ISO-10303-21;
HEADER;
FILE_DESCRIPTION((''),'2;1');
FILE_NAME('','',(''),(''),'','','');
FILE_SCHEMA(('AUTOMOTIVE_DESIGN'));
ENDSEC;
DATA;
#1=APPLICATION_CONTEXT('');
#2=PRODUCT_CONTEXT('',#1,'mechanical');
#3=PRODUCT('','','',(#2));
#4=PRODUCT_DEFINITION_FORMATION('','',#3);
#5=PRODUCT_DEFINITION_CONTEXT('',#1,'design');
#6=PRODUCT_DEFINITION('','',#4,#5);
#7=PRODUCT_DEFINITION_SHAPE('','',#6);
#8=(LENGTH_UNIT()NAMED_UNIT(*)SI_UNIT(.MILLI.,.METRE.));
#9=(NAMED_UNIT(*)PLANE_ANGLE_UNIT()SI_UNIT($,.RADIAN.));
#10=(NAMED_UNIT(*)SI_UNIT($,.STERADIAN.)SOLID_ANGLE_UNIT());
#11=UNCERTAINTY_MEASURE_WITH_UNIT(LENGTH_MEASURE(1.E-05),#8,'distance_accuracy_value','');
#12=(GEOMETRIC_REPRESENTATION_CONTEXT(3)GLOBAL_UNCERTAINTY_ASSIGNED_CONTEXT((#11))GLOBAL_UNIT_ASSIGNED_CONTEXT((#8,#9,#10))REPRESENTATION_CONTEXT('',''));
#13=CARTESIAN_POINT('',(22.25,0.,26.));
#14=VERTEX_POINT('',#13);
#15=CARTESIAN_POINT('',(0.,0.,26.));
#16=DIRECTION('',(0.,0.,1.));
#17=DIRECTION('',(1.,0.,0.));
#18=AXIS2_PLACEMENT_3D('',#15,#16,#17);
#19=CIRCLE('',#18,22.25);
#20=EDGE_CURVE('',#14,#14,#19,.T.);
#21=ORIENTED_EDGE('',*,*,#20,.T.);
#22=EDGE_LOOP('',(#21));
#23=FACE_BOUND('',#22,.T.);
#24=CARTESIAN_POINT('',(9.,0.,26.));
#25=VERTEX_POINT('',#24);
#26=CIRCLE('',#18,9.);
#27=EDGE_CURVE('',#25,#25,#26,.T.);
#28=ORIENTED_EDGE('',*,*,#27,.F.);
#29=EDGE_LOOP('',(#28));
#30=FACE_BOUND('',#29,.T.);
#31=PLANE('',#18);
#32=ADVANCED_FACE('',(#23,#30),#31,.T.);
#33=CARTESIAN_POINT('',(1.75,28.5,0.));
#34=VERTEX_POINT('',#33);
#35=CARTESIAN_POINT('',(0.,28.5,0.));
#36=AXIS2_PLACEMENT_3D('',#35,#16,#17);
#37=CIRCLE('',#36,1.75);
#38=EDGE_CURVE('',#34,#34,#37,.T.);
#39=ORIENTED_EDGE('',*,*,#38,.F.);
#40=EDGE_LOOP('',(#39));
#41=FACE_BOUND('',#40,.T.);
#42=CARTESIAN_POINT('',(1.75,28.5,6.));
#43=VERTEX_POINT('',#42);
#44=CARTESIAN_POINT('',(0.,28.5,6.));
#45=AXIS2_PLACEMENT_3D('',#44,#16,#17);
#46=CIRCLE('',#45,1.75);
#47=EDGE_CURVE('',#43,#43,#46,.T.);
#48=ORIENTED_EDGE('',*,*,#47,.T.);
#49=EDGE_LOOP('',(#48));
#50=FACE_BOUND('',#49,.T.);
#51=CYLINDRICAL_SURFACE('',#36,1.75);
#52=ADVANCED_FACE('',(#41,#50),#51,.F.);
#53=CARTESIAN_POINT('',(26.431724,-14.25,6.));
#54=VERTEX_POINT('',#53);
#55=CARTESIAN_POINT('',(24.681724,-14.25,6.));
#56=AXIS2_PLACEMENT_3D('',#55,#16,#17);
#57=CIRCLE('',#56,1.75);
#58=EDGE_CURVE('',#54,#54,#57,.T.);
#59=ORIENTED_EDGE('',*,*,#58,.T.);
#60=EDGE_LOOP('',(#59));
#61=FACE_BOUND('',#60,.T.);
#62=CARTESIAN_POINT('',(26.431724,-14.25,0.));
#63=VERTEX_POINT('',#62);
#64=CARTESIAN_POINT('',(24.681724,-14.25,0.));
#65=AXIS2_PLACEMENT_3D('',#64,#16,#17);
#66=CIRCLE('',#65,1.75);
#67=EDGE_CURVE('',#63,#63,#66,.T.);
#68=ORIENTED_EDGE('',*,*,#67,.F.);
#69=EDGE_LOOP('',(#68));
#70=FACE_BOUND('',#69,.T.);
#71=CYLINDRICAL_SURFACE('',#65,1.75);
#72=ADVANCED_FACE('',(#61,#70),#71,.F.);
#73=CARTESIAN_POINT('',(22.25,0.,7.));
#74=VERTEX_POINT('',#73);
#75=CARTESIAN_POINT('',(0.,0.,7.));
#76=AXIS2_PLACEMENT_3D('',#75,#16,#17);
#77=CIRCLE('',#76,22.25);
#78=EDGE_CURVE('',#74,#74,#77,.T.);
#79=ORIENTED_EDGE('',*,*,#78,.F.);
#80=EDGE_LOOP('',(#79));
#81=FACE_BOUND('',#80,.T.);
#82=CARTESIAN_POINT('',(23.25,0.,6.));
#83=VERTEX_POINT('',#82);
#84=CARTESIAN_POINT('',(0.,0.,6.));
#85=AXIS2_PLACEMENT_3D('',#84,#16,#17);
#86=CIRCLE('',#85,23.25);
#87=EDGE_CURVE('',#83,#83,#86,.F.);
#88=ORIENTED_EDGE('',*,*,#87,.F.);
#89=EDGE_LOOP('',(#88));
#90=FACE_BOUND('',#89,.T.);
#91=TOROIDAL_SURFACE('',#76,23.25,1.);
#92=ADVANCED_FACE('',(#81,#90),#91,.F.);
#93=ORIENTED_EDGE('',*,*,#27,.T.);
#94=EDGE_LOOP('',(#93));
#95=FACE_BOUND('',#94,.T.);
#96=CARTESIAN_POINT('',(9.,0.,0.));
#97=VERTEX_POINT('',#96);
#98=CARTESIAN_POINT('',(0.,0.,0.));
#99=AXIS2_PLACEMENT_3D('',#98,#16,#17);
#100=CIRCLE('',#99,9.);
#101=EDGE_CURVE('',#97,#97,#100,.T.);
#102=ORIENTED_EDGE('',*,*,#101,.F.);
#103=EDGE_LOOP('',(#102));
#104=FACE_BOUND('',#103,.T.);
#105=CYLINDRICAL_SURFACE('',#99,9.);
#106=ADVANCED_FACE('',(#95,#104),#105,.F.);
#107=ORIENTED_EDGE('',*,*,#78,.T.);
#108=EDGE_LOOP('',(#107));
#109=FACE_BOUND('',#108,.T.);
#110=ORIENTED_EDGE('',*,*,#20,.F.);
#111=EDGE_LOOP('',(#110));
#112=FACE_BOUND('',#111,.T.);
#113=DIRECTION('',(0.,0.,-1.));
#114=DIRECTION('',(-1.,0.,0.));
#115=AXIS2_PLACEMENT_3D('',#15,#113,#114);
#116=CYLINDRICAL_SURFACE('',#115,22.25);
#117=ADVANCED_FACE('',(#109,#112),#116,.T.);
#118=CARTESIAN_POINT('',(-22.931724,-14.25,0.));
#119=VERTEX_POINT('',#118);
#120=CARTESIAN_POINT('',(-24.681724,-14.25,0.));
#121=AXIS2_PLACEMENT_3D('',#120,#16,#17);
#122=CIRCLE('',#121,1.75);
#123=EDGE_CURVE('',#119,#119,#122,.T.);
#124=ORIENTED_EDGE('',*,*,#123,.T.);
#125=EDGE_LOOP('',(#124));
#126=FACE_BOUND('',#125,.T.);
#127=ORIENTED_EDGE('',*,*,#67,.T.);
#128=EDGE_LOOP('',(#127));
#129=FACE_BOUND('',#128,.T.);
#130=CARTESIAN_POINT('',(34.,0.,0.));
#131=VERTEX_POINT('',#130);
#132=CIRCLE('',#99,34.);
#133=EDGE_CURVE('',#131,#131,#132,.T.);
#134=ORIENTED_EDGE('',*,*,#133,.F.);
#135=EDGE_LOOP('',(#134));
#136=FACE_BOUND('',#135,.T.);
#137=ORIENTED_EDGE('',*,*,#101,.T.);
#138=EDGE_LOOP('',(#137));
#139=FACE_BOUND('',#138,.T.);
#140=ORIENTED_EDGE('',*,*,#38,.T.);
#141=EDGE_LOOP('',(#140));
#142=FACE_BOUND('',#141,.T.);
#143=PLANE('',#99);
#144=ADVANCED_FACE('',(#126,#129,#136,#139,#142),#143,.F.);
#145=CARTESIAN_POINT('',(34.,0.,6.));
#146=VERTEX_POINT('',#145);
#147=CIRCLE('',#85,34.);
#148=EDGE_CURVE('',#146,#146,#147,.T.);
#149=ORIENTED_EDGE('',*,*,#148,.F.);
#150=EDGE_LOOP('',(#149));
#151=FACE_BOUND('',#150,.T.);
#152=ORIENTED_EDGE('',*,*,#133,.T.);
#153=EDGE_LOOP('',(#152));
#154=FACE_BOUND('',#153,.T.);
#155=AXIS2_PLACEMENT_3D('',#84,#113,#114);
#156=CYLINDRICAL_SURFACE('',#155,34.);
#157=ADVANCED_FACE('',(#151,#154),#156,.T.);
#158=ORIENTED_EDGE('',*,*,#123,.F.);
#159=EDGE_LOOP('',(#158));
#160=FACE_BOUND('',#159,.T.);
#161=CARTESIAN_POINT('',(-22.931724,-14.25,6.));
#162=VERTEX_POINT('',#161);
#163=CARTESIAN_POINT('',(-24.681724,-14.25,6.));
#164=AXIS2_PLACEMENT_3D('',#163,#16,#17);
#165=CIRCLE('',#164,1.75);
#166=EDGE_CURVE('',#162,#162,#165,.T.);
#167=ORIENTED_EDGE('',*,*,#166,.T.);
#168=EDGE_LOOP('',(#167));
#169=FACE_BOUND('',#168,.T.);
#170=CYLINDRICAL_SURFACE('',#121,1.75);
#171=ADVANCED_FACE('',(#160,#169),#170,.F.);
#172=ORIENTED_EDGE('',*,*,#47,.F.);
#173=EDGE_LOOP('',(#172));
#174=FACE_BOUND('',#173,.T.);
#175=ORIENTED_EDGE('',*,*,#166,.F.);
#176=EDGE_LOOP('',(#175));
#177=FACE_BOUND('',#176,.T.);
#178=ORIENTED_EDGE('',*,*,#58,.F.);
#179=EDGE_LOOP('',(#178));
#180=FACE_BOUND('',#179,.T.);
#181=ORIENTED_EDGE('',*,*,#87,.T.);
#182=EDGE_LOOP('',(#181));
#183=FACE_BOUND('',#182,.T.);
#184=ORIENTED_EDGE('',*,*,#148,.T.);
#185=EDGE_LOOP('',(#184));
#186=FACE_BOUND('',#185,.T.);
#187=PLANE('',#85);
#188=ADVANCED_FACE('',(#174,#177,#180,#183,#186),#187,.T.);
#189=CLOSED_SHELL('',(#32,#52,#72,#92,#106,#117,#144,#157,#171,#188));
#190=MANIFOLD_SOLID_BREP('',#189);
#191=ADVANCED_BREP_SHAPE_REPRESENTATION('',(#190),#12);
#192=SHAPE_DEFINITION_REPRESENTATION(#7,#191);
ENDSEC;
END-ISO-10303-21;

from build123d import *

# Parameters (mm, degrees)
SKETCH_1_R                 = 34
EXTRUDE_252_DEPTH          = 6
SKETCH_2_R                 = 22.25
EXTRUDE_346_DEPTH          = 20
SKETCH_4_R                 = 1.75
CUT_EXTRUDE_656_DEPTH      = 53.076866265
FILLET_1_R                 = 1
CUT_EXTRUDE_770_DEPTH      = 55.662601475
CUT_EXTRUDE_770_DEPTH_BACK = 55.662601475
SKETCH_3_R                 = 9


with BuildPart() as part:
    # 草图1 → Extrude 252 (new body)
    with BuildSketch(Plane.XY):
        Circle(SKETCH_1_R)
    extrude(amount=EXTRUDE_252_DEPTH)

    # 草图2 → Extrude 346 (add)
    with BuildSketch(Plane.XY.offset(6)):
        Circle(SKETCH_2_R)
    extrude(amount=EXTRUDE_346_DEPTH)

    # 草图4 → Cut-Extrude 656 (cut, through all)
    with BuildSketch(Plane.XY.offset(6)):
        with Locations((0, 28.5)):
            Circle(SKETCH_4_R)
        with Locations((24.681724008, -14.25)):
            Circle(SKETCH_4_R)
        with Locations((-24.681724008, -14.25)):
            Circle(SKETCH_4_R)
    extrude(amount=-CUT_EXTRUDE_656_DEPTH, mode=Mode.SUBTRACT)

    # 圆角1
    fillet_1_edges = [part.edges().sort_by_distance(p)[0] for p in [
        (-22.25, 0, 6),
    ]]
    fillet(fillet_1_edges, radius=FILLET_1_R)

    # 草图3 → Cut-Extrude 770 (cut, two sides: drawn at the far end of the back side and taken through both)
    with BuildSketch(Plane.XY.offset(26).offset(-CUT_EXTRUDE_770_DEPTH_BACK)):
        Circle(SKETCH_3_R)
    extrude(amount=CUT_EXTRUDE_770_DEPTH + CUT_EXTRUDE_770_DEPTH_BACK, mode=Mode.SUBTRACT)


solid = part.part
